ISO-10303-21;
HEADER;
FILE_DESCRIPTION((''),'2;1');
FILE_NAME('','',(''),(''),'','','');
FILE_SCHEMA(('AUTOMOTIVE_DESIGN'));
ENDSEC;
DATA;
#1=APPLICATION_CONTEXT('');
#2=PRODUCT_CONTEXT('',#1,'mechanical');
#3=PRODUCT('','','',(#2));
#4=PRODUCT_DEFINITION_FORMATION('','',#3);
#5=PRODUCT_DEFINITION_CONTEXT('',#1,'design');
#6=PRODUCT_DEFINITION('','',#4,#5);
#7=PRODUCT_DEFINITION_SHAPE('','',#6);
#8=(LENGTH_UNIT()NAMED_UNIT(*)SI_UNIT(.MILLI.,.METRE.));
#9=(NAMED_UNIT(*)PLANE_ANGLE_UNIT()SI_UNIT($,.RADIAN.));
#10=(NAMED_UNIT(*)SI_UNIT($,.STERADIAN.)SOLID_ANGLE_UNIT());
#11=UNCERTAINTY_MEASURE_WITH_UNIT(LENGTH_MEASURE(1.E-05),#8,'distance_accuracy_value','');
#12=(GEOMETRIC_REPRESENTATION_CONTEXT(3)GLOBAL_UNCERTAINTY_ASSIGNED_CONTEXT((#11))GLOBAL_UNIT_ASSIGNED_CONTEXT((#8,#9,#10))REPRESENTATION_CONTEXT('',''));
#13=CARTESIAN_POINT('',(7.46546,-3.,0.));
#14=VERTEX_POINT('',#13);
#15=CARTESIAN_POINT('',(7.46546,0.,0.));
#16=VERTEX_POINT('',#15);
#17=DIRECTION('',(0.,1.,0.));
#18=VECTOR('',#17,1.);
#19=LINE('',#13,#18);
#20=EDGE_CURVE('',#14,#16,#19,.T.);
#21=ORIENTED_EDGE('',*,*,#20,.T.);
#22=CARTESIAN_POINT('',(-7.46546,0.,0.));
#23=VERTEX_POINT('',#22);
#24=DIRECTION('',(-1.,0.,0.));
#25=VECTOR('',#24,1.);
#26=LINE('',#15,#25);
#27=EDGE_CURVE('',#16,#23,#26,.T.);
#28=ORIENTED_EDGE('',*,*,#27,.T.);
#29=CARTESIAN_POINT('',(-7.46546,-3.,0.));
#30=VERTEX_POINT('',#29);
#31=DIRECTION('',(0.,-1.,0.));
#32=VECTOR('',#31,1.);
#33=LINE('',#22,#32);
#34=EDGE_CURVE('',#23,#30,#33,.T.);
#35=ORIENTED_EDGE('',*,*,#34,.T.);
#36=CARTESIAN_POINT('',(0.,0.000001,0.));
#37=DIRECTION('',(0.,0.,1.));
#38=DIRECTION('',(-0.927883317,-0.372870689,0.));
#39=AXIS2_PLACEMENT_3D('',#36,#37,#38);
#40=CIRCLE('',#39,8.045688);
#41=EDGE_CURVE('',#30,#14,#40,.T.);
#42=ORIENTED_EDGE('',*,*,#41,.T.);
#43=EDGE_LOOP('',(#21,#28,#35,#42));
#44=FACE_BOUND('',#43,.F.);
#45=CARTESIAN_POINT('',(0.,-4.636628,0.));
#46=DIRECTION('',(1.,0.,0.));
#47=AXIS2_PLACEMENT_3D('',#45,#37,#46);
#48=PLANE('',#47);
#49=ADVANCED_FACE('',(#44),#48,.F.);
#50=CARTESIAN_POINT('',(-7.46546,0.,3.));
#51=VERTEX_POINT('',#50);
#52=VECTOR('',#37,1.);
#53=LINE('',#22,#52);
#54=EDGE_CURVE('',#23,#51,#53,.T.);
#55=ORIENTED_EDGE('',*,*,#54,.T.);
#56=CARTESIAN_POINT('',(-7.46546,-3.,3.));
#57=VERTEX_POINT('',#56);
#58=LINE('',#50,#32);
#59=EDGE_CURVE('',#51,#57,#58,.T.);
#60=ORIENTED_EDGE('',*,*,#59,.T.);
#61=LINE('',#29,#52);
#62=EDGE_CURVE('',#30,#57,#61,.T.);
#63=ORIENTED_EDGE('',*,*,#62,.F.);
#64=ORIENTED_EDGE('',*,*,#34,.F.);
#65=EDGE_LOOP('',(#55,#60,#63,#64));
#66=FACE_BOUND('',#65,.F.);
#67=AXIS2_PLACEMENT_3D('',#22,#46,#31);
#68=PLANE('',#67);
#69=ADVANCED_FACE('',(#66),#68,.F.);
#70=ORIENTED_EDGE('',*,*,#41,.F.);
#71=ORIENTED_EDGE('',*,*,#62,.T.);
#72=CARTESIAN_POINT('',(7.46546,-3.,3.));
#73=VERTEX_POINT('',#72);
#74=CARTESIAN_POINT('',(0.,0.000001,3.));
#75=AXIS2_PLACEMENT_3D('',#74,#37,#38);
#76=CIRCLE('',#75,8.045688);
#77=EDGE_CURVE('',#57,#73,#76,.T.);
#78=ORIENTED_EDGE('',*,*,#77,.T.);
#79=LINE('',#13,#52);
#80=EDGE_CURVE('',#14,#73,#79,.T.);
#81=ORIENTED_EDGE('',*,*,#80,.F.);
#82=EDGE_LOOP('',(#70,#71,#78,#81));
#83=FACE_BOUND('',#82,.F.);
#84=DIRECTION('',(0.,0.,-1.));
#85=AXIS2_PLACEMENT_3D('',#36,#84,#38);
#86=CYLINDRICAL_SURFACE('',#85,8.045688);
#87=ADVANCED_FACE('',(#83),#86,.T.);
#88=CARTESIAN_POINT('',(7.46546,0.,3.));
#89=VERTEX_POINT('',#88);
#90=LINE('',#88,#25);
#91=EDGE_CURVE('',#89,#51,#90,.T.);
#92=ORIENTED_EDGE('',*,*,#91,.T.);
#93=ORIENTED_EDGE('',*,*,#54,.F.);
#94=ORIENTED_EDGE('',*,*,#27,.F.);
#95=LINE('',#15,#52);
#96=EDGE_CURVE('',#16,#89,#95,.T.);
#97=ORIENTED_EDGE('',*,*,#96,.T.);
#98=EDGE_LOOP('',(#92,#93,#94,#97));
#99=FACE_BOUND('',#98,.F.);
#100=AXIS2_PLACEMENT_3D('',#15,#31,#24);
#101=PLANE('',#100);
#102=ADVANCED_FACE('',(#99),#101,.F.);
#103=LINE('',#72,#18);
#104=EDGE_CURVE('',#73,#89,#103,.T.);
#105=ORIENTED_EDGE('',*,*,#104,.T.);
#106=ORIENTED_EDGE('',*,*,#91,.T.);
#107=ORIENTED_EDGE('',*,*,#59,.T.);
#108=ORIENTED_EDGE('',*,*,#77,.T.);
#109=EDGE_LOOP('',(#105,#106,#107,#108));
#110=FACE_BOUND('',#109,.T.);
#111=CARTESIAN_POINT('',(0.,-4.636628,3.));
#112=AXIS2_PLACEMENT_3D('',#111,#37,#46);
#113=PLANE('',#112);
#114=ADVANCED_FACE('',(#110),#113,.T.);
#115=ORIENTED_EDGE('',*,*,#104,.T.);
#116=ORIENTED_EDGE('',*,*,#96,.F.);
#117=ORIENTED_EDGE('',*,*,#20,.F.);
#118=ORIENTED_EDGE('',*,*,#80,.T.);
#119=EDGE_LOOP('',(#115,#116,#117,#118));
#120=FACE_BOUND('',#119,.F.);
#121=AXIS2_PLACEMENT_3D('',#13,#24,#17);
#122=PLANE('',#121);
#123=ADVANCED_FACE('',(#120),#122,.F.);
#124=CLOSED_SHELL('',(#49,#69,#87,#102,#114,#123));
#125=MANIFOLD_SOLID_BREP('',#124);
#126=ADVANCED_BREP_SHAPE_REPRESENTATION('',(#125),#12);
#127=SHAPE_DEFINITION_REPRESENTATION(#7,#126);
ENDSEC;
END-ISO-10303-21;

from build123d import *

# Parameters (mm, degrees)
F1_DEPTH = 3


with BuildPart() as f1:
    # F0 (on Top) → F1 (new body)
    with BuildSketch(Plane.XY):
        with BuildLine():
            Line((0, -3), (-7.46546, -3))
            ThreePointArc((-7.46546, -3), (0, -8.045687), (7.46546, -3))
            Line((7.46546, -3), (0, -3))
        make_face()
        Polygon((-7.46546, 0), (-7.46546, -3), (0, -3), (7.46546, -3), (7.46546, 0), (0, 0), align=None)
    extrude(amount=F1_DEPTH)


solid = f1.part
